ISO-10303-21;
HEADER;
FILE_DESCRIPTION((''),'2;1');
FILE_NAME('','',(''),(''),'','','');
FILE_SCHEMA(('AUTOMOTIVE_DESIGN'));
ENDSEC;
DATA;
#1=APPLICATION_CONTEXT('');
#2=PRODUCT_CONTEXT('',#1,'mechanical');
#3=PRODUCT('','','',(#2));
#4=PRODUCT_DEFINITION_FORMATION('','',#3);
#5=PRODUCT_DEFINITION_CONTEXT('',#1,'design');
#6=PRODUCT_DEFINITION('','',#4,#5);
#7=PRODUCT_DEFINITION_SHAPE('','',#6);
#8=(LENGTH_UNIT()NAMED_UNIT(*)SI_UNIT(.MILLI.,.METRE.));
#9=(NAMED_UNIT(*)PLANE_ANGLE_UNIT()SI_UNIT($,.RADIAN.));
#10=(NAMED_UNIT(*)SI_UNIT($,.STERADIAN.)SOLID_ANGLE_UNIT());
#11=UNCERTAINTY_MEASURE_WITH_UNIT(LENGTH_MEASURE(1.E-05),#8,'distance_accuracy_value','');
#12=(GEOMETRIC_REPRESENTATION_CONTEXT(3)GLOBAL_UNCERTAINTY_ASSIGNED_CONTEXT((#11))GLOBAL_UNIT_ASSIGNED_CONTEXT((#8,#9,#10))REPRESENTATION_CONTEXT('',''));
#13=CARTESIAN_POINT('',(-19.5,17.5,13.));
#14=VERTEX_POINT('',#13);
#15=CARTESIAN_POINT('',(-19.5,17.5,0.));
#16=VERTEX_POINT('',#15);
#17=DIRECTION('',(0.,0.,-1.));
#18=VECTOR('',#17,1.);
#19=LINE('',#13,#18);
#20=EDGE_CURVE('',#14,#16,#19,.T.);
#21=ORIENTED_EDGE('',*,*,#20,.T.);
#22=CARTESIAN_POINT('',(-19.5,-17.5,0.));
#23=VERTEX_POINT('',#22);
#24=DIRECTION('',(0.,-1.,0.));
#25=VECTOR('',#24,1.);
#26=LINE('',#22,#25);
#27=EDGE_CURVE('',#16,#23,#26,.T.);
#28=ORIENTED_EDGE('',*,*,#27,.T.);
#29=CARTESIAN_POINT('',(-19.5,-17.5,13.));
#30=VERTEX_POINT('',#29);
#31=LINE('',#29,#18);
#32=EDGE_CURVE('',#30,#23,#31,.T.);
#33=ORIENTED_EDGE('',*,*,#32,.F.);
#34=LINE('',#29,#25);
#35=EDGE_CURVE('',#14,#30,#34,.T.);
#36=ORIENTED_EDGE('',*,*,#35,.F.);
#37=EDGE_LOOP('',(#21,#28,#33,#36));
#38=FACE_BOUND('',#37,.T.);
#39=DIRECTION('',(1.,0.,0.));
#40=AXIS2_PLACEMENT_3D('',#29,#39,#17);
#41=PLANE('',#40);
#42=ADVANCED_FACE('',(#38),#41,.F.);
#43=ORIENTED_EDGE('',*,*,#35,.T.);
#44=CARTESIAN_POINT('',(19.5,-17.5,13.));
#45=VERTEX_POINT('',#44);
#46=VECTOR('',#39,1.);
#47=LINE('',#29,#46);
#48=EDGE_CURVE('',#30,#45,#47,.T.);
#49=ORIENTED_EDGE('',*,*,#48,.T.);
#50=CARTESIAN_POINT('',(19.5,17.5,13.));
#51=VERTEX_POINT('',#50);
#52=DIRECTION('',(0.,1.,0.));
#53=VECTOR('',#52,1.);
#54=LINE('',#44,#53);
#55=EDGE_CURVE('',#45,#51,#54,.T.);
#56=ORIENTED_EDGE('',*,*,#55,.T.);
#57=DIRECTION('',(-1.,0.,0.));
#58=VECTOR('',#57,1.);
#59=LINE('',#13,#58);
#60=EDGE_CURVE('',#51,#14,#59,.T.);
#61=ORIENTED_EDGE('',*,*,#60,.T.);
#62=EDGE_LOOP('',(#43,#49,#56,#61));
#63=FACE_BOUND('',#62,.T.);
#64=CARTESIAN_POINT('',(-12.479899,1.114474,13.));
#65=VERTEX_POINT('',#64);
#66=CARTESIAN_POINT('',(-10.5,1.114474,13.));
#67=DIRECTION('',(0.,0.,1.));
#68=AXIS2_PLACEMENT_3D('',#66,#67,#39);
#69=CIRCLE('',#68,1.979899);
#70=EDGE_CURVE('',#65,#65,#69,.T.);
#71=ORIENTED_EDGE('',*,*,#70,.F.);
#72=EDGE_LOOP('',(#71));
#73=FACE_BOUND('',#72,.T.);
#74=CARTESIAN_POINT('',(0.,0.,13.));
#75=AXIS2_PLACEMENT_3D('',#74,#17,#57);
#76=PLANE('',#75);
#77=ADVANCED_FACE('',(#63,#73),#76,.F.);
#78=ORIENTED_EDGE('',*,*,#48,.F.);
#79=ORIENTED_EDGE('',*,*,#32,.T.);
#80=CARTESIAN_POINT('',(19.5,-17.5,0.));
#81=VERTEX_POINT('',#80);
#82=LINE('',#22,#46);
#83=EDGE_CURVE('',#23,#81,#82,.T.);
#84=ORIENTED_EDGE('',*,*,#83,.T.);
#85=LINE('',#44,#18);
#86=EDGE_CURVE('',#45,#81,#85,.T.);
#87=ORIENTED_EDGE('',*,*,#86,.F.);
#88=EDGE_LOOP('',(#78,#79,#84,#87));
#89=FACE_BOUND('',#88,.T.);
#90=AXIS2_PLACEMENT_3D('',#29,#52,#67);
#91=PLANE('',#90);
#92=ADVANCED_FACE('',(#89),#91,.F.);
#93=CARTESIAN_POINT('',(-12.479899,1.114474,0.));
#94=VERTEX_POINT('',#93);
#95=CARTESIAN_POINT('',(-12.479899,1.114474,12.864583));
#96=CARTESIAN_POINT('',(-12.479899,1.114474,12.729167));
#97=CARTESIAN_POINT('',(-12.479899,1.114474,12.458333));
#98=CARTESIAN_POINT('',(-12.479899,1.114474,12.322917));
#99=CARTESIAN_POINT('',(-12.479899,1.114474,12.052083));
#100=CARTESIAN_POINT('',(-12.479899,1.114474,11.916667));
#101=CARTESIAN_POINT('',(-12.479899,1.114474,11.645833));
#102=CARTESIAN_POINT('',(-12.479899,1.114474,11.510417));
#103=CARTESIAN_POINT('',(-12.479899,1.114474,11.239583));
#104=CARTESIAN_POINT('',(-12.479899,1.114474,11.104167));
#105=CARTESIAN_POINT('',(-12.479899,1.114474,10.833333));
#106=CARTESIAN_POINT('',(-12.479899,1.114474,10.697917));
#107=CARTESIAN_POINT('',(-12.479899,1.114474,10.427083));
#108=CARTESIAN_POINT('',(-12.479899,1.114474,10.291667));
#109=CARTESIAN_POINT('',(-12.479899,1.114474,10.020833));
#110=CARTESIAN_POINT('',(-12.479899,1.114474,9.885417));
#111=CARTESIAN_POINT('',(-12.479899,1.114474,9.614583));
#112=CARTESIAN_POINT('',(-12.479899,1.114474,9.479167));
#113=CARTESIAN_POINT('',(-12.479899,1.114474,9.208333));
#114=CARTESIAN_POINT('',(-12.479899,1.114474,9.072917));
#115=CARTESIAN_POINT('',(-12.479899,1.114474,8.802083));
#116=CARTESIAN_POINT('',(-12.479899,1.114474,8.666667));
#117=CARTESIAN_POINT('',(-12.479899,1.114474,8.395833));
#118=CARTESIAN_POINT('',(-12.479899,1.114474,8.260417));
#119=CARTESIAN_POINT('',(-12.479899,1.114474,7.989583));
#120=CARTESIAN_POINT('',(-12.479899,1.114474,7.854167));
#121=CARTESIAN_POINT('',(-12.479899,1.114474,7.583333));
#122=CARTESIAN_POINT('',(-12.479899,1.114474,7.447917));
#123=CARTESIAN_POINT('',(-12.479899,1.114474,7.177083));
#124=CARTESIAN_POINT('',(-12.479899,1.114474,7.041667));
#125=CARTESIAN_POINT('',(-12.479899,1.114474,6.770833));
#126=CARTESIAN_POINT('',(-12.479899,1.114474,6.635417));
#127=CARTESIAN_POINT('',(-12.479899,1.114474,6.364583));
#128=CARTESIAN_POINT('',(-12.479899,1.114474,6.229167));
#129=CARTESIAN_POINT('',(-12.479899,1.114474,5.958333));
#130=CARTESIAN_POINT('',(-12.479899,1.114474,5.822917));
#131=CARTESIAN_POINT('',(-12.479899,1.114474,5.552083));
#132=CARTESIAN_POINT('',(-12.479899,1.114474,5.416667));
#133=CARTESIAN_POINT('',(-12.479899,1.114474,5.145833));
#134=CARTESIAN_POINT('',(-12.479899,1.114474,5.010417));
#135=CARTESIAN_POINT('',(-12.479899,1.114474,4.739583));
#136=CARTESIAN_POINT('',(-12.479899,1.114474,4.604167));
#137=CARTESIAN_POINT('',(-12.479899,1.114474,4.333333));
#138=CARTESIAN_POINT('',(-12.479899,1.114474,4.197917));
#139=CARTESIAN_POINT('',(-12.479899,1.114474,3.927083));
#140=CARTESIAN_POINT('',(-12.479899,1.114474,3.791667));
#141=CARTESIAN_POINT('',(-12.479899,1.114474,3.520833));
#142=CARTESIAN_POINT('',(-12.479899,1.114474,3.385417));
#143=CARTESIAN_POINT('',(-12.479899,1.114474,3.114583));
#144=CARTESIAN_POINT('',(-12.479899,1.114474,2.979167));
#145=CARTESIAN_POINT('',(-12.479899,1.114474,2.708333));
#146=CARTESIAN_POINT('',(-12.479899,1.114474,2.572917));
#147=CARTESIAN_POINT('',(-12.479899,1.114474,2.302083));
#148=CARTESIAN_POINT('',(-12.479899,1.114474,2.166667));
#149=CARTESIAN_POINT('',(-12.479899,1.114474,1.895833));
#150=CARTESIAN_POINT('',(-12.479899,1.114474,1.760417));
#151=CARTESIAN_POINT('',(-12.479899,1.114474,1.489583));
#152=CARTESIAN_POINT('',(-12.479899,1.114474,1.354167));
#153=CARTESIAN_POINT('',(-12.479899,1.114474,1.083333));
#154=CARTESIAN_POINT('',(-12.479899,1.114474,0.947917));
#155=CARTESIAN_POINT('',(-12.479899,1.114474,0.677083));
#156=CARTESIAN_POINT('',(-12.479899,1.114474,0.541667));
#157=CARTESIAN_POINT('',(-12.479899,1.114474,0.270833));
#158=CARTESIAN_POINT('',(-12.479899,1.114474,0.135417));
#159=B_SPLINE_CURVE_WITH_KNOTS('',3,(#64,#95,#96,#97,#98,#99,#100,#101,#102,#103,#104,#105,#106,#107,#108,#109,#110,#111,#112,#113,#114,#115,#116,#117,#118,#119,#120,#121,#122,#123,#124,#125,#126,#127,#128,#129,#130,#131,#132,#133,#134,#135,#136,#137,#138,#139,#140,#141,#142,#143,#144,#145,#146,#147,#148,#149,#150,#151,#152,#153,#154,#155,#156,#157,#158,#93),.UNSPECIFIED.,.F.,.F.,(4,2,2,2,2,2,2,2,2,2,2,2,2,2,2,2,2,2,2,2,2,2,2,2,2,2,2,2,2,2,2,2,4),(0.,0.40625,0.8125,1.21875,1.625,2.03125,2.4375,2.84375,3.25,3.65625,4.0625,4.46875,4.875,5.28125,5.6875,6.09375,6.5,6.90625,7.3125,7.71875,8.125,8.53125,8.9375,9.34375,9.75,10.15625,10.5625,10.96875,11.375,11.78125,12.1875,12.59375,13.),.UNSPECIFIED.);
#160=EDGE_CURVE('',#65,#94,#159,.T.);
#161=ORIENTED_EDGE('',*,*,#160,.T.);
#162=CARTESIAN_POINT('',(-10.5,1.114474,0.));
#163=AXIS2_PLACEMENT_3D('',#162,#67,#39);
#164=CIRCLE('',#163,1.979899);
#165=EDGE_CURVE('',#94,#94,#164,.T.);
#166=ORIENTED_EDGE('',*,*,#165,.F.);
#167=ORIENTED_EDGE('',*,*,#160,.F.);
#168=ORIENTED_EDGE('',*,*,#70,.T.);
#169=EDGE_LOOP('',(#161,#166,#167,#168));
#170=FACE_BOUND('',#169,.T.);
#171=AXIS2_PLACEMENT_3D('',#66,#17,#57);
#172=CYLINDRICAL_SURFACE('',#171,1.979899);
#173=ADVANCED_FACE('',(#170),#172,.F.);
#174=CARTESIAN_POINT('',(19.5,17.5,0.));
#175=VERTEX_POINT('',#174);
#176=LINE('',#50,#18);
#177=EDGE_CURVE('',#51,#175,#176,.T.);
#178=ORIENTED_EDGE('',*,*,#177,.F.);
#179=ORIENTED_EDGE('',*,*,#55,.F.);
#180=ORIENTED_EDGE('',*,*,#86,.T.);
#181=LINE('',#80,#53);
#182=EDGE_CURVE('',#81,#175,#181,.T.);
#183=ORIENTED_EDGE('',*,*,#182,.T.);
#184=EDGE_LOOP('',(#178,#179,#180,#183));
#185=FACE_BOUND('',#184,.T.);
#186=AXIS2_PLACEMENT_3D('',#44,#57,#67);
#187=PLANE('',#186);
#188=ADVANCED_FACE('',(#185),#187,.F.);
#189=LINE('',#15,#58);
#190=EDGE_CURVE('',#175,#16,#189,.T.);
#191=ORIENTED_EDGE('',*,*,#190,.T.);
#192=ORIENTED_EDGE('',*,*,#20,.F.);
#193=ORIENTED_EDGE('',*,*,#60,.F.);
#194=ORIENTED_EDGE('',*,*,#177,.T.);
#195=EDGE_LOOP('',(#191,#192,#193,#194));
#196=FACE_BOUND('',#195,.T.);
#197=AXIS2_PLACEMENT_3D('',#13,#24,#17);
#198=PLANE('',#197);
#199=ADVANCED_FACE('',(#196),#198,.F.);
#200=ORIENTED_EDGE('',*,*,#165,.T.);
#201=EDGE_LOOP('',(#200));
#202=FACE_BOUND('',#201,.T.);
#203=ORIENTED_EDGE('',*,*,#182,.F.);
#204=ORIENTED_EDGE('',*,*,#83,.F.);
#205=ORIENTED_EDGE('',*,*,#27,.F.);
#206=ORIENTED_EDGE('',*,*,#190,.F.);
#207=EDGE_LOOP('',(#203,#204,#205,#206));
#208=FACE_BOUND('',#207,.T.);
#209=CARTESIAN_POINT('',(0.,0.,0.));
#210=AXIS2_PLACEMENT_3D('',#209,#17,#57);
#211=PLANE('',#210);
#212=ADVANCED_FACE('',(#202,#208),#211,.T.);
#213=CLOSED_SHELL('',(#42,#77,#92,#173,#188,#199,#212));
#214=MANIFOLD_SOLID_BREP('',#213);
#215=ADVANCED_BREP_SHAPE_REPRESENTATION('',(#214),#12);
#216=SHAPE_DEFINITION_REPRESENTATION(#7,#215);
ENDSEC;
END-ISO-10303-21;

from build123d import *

# Parameters (mm, degrees)
IZIM1_W                     = 39
IZIM1_H                     = 35
IZIM1_R                     = 1.979898987
Y_KSEKLIK_EKSTR_ZYON1_DEPTH = 13


with BuildPart() as part:
    # Çizim1 → Yükseklik-Ekstrüzyon1 (new body)
    with BuildSketch(Plane.XY):
        Rectangle(IZIM1_W, IZIM1_H)
        with Locations(Location((-10.5, 1.114473684, 0), (0, 0, 180))):
            Circle(IZIM1_R, mode=Mode.SUBTRACT)
    extrude(amount=Y_KSEKLIK_EKSTR_ZYON1_DEPTH)


solid = part.part
